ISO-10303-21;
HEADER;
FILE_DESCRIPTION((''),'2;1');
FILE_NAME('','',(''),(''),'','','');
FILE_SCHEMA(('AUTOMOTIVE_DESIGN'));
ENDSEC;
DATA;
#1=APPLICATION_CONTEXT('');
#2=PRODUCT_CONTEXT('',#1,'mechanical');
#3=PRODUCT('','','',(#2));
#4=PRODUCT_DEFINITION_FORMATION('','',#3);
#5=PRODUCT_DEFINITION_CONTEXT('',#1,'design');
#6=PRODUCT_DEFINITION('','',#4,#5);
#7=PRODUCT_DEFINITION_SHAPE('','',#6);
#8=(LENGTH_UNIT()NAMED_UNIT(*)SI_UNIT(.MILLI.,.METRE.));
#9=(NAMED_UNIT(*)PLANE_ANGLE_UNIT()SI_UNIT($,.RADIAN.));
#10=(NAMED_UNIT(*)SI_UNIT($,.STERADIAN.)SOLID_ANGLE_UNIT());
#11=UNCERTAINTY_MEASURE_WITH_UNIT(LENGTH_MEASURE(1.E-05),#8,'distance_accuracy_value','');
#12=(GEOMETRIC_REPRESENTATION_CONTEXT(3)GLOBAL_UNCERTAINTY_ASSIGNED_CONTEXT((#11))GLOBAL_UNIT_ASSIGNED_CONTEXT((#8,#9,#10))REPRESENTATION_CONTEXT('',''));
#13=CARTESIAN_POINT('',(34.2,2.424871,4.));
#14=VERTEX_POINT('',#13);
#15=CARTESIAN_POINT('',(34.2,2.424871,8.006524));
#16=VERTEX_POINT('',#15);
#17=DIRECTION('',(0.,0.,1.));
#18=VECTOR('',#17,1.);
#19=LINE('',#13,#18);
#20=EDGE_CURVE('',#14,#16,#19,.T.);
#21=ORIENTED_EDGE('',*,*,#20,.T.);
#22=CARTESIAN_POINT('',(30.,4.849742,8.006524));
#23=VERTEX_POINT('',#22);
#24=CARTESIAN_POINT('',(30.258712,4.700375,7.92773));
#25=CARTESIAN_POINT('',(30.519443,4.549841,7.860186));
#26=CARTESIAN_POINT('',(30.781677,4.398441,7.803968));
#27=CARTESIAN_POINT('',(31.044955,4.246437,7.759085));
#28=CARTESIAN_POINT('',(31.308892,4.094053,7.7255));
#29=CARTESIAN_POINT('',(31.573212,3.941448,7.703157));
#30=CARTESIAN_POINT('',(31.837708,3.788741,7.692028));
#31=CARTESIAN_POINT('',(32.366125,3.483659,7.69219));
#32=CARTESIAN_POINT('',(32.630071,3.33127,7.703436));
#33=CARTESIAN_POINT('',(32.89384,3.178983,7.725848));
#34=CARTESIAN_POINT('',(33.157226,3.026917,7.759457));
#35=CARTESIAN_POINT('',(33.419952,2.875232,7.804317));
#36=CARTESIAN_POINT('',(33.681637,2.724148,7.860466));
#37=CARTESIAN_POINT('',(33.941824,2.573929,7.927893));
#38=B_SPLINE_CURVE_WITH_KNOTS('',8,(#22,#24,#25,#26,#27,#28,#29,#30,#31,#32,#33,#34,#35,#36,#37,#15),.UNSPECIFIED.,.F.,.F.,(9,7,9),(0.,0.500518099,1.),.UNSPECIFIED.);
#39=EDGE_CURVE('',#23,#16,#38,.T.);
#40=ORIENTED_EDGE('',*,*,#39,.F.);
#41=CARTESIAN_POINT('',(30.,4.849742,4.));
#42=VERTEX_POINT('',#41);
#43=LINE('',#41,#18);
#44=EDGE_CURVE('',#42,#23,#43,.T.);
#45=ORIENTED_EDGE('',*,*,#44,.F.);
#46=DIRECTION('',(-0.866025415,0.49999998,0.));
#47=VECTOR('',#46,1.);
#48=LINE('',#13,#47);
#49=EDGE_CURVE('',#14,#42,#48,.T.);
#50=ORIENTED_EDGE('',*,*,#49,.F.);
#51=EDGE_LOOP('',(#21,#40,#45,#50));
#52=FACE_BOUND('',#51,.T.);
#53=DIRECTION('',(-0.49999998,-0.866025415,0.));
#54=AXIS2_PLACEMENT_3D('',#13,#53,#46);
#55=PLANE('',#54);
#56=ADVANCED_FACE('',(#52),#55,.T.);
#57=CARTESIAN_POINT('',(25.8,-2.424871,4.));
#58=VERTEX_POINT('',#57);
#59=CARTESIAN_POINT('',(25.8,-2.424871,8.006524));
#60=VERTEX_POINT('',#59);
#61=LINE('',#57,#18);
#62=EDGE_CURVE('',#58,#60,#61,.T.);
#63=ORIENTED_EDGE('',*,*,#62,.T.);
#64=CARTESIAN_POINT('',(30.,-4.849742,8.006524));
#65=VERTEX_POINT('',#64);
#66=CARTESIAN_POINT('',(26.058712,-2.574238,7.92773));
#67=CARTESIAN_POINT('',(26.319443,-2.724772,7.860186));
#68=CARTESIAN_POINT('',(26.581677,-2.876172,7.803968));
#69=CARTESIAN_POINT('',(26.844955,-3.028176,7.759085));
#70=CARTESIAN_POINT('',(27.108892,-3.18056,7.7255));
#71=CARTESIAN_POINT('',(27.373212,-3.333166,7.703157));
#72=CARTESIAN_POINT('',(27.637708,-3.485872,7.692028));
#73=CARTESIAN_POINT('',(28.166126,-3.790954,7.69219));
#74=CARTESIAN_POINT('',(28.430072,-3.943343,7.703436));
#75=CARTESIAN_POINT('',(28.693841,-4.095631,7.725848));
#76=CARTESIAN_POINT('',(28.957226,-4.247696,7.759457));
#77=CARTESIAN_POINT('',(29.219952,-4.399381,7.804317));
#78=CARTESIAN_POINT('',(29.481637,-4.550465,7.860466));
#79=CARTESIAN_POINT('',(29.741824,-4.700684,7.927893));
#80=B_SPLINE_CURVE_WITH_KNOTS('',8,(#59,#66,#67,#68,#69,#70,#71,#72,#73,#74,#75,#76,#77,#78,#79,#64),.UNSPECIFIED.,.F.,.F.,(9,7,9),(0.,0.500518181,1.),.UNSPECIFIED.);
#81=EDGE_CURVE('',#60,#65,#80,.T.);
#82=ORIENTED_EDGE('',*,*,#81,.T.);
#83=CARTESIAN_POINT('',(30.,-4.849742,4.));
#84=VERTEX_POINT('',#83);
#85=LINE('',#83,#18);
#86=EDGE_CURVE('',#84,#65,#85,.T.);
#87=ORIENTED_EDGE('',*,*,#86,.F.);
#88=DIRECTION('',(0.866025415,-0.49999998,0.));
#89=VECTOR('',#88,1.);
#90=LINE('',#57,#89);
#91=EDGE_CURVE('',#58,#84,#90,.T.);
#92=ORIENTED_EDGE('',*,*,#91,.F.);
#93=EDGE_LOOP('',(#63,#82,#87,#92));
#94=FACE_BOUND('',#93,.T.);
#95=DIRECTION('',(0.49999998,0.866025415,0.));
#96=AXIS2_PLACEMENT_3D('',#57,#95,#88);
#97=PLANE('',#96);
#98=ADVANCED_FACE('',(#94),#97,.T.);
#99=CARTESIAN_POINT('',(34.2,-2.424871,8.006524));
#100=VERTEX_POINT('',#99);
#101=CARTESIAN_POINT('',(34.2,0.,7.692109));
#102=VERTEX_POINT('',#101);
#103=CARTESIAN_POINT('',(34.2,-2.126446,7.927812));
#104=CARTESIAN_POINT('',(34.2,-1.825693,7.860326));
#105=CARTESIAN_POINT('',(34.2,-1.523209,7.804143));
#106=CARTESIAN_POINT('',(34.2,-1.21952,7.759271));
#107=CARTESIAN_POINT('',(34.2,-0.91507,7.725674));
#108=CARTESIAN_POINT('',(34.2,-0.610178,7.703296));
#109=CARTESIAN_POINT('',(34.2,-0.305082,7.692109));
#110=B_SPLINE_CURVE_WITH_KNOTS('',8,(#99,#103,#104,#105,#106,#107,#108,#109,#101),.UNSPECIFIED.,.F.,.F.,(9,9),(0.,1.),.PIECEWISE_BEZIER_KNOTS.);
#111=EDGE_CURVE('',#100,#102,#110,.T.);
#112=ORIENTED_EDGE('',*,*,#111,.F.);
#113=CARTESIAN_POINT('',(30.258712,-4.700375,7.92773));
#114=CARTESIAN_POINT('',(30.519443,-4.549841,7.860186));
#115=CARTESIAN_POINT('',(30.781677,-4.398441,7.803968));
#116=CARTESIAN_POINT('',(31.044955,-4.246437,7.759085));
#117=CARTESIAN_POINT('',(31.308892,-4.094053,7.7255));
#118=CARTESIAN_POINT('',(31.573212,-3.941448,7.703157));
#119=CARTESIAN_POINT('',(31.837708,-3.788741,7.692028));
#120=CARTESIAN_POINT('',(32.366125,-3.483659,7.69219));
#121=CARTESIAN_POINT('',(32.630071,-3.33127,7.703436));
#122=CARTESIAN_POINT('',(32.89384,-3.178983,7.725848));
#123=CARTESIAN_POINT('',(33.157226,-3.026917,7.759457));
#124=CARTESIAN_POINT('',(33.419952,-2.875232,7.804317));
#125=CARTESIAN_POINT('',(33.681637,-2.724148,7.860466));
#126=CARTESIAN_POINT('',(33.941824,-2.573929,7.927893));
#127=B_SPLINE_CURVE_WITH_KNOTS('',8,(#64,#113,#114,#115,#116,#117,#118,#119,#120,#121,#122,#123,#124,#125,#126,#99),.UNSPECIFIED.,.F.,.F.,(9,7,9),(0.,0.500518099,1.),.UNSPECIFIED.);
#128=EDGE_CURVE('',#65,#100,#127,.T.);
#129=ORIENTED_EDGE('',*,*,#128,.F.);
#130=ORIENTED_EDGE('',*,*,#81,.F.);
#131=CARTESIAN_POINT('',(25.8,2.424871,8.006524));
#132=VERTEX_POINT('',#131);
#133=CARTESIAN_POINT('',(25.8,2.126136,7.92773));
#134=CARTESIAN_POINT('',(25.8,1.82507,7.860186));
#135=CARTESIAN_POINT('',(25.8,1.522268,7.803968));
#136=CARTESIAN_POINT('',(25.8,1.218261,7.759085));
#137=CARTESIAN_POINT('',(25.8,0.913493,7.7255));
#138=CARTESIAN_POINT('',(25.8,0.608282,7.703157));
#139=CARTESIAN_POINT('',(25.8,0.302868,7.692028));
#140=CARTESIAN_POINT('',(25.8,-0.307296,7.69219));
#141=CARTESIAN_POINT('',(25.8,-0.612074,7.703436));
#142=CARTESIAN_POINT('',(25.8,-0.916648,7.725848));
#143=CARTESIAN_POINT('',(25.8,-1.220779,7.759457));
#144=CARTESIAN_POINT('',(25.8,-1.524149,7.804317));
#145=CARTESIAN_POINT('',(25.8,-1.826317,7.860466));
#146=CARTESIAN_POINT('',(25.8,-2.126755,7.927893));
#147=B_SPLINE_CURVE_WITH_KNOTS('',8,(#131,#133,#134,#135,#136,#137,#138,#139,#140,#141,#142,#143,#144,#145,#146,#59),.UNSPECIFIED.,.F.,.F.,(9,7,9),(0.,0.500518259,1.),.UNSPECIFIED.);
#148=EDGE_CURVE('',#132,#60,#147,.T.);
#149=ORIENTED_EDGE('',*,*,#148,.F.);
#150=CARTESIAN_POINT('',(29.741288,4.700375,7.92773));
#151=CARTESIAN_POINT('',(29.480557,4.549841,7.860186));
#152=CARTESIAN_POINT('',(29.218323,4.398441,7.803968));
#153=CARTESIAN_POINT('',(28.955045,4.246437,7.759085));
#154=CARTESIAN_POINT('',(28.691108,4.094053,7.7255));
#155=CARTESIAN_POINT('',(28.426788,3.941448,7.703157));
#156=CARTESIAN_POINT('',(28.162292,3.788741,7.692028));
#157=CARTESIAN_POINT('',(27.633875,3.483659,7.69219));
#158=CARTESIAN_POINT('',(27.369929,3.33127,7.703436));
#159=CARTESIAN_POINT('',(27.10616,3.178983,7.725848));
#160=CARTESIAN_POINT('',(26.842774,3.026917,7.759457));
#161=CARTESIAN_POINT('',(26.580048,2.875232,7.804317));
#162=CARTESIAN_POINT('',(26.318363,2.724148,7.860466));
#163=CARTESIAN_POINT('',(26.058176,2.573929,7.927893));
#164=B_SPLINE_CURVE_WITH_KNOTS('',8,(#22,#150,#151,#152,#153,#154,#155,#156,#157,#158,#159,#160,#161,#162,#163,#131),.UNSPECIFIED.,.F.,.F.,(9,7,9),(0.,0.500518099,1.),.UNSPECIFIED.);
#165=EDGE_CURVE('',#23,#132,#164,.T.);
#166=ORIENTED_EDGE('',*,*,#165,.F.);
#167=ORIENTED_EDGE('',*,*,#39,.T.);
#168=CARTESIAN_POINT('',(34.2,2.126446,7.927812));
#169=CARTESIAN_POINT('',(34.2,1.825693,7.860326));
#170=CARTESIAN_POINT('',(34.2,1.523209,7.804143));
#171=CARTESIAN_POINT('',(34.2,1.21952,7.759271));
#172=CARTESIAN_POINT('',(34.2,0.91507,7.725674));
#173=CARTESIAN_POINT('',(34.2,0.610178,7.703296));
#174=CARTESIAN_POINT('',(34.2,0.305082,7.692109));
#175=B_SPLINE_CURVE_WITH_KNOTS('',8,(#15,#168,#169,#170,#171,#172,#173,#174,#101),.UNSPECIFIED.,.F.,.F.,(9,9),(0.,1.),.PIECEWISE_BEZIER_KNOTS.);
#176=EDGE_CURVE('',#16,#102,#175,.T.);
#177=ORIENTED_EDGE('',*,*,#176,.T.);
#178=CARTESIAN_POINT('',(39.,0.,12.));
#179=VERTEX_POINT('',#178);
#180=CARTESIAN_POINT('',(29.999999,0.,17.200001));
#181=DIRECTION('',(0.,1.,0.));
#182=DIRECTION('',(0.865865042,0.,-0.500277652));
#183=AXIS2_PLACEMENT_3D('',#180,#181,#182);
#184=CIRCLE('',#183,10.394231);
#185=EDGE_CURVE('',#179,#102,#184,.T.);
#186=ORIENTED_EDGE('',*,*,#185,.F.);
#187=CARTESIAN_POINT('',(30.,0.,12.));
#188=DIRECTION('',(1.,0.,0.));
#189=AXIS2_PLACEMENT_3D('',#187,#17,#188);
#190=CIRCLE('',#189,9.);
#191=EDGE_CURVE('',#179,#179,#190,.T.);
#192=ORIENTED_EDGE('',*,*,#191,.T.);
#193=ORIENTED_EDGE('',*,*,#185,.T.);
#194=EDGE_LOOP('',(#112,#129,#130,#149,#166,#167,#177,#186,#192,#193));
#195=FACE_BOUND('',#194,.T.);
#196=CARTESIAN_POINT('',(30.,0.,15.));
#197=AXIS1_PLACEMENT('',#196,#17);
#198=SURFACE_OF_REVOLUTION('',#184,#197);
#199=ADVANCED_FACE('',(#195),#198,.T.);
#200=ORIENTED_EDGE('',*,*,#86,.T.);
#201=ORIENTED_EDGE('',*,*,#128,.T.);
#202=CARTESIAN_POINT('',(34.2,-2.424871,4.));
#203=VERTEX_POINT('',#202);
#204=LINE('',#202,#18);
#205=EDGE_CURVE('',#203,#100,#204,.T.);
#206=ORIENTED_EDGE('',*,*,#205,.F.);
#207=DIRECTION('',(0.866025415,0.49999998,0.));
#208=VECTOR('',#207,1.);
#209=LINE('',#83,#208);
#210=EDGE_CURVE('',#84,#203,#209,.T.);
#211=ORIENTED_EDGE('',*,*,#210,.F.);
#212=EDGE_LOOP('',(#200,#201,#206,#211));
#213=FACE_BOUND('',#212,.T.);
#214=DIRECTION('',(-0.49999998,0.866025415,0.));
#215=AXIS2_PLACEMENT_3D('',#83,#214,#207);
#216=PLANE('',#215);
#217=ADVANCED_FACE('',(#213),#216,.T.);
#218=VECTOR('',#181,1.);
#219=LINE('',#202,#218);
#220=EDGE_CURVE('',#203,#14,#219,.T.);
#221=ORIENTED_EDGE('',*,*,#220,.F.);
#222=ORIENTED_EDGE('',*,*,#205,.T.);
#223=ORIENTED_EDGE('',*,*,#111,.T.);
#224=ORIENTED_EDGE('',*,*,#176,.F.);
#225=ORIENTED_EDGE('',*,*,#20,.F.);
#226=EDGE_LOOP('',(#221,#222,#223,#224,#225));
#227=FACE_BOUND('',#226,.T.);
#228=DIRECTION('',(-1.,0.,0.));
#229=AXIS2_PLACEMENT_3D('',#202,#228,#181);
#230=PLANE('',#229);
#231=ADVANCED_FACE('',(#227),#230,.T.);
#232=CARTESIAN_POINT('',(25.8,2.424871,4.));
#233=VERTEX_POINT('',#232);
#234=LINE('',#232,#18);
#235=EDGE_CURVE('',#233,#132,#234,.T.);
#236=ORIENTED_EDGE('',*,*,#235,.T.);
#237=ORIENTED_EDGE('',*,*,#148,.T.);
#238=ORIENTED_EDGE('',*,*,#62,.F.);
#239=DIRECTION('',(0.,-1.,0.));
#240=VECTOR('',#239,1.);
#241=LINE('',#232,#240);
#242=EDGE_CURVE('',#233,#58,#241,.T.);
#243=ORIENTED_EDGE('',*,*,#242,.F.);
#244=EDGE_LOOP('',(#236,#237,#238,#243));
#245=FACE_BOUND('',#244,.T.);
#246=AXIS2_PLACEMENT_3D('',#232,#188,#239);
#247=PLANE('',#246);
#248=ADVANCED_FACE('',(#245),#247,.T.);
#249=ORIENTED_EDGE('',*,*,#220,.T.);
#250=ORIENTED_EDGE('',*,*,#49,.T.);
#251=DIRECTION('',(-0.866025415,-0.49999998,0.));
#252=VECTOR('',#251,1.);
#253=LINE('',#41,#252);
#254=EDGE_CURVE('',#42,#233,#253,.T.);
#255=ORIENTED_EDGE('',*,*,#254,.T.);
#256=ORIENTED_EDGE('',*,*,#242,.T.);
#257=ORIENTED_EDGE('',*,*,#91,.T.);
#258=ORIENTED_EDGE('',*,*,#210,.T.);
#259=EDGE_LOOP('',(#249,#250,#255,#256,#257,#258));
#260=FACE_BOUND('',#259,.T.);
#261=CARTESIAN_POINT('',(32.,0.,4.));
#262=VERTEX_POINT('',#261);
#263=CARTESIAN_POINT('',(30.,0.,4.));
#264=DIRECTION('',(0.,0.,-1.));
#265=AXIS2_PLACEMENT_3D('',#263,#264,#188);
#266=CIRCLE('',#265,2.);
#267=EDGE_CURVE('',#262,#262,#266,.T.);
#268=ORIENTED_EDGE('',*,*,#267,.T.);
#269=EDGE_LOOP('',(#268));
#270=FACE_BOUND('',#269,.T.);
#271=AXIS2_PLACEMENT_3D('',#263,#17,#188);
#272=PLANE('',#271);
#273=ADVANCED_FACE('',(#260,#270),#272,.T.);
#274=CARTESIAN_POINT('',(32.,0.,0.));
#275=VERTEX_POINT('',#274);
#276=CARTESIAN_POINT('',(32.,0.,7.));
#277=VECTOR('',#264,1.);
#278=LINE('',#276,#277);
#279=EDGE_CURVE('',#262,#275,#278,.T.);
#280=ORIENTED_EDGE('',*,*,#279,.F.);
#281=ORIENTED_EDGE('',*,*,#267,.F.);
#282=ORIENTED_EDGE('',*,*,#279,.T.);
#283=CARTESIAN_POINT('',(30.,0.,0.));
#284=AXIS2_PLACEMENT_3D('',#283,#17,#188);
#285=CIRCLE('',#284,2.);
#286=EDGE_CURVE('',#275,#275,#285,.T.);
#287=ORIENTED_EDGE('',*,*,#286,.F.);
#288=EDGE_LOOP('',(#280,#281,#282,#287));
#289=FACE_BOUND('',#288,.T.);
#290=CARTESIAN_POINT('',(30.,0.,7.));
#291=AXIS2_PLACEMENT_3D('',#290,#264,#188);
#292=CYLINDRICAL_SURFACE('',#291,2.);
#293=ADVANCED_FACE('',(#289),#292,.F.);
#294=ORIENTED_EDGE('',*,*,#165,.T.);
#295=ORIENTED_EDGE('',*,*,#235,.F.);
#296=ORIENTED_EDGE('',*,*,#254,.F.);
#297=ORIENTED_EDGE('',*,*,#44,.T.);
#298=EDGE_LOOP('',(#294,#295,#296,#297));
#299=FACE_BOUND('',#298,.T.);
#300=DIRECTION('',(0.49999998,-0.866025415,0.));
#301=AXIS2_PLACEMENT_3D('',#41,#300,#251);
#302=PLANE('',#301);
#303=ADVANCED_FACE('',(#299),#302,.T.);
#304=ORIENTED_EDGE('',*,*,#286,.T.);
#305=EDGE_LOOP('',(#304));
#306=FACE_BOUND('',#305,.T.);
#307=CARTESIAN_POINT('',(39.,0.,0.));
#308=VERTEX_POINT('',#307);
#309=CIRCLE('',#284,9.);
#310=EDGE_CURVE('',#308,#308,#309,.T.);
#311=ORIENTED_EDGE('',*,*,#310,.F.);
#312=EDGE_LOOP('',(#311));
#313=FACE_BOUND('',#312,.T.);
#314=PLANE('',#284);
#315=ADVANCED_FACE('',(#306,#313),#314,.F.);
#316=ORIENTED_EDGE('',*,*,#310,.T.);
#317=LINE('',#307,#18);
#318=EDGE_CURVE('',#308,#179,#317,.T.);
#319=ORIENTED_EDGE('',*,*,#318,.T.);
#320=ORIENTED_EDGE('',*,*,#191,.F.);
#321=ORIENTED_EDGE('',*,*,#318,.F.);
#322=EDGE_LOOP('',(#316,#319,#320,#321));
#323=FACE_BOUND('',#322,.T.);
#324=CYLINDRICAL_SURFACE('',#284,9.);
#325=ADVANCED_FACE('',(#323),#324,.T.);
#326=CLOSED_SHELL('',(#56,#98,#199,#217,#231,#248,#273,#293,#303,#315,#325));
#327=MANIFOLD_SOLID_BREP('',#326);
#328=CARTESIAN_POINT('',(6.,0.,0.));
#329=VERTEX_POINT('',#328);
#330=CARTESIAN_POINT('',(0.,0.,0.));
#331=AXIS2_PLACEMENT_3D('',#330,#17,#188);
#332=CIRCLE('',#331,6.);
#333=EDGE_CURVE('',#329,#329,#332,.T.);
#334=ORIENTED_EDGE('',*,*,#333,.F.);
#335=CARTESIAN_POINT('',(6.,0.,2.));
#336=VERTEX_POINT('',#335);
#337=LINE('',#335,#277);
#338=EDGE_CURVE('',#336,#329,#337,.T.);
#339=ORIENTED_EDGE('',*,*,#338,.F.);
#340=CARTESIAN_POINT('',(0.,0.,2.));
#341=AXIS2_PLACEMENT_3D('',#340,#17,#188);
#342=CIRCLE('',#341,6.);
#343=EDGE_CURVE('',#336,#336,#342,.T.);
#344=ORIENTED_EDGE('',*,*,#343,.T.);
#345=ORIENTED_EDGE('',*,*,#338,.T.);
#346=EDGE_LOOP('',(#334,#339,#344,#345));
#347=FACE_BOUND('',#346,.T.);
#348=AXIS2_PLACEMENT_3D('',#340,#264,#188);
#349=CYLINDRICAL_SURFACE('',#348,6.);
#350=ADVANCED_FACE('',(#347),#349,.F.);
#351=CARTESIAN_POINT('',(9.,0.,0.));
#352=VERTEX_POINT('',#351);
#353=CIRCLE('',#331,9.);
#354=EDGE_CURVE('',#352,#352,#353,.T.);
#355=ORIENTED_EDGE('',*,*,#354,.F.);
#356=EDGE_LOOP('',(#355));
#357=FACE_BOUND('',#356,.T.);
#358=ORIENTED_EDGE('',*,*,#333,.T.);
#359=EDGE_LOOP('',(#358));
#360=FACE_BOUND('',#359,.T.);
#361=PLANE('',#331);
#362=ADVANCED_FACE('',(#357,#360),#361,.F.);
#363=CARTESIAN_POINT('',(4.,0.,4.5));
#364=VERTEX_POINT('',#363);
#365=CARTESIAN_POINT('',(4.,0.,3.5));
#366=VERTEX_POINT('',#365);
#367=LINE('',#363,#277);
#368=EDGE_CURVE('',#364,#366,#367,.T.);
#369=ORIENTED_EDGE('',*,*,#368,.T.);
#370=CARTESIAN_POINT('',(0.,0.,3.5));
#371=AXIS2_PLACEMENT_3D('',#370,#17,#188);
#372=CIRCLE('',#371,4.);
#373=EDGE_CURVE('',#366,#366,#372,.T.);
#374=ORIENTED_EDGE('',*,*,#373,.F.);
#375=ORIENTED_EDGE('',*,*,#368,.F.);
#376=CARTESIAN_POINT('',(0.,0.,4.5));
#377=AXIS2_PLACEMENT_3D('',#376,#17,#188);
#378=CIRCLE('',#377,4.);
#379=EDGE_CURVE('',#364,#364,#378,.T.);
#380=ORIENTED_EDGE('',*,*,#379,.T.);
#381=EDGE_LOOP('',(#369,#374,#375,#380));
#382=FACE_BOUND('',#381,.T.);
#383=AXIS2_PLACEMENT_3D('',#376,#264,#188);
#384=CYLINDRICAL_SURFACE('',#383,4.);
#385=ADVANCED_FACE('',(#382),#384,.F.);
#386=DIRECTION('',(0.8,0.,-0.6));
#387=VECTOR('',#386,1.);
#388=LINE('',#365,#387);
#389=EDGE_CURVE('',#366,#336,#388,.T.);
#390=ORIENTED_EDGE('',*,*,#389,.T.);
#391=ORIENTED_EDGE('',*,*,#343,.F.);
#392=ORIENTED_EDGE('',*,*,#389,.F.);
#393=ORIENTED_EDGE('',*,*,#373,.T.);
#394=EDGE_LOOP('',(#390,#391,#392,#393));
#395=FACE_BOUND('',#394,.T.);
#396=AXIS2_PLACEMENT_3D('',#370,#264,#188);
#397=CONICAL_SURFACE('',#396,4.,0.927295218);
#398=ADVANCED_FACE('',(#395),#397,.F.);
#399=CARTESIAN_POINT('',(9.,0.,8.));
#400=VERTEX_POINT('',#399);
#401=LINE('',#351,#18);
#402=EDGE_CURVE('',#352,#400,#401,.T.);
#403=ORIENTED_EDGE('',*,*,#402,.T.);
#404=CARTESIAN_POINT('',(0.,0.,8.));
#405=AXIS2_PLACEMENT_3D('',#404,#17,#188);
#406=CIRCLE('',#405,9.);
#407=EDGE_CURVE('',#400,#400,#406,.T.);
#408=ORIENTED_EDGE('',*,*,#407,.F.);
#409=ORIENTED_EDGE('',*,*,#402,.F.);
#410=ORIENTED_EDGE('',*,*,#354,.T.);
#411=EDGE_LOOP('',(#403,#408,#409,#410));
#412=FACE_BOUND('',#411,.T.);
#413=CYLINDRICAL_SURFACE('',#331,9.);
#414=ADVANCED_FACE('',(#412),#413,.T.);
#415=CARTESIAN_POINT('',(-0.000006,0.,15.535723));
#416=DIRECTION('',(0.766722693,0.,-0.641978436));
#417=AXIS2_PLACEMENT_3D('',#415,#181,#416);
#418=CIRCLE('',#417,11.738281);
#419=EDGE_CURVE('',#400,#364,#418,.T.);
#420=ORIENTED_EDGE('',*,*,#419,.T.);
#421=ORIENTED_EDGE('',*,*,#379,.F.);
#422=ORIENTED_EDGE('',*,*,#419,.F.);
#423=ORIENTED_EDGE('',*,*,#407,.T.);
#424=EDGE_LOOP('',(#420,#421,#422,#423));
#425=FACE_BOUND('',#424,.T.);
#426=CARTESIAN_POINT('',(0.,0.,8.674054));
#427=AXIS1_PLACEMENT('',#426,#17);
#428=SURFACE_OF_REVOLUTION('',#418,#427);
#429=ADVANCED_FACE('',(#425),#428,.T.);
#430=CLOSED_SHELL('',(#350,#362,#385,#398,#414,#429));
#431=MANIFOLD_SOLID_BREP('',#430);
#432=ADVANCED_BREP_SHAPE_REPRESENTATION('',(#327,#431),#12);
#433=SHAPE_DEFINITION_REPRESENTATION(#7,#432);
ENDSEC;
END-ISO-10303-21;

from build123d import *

# Parameters (mm, degrees)
F7_DEPTH = 5


with BuildPart() as f2:
    # F0 (on Front) → F2 (revolve)
    with BuildSketch(Plane.XZ):
        with BuildLine():
            Line((6, 2), (6, 0))
            Line((6, 0), (9, 0))
            Line((9, 0), (9, 8))
            ThreePointArc((9, 8), (6.731456, 5.919349), (4, 4.5))
            Line((4, 4.5), (4, 3.5))
            Line((4, 3.5), (6, 2))
        make_face()
    revolve(axis=Axis((0, 0, 8.674054), (0, 0, 1)))


with BuildPart() as f5:
    # F4 (on Front) → F5 (revolve)
    with BuildSketch(Plane.XZ):
        with BuildLine():
            Line((32, 7), (32, 0))
            Line((32, 0), (39, 0))
            Line((39, 0), (39, 12))
            ThreePointArc((39, 12), (36.041523, 8.741868), (32, 7))
        make_face()
    revolve(axis=Axis((30, 0, 15), (0, 0, 1)))


with BuildPart() as f7:
    # F6 (on Top) → F7 (new body)
    with BuildSketch(Plane.XY):
        Polygon((34.2, -2.424871), (34.2, 2.424871), (30, 4.849742), (25.8, 2.424871), (25.8, -2.424871), (30, -4.849742), align=None)
    extrude(amount=F7_DEPTH)


with BuildPart() as f7_1:
    # F8: moved
    add(f7.part.moved(Location((0, 0, 4))))


with BuildPart() as f5_1:
    add(f5.part)

    # F9: cut F7
    add(f7_1.part, mode=Mode.SUBTRACT)


solid = Compound([f2.part, f5_1.part])
